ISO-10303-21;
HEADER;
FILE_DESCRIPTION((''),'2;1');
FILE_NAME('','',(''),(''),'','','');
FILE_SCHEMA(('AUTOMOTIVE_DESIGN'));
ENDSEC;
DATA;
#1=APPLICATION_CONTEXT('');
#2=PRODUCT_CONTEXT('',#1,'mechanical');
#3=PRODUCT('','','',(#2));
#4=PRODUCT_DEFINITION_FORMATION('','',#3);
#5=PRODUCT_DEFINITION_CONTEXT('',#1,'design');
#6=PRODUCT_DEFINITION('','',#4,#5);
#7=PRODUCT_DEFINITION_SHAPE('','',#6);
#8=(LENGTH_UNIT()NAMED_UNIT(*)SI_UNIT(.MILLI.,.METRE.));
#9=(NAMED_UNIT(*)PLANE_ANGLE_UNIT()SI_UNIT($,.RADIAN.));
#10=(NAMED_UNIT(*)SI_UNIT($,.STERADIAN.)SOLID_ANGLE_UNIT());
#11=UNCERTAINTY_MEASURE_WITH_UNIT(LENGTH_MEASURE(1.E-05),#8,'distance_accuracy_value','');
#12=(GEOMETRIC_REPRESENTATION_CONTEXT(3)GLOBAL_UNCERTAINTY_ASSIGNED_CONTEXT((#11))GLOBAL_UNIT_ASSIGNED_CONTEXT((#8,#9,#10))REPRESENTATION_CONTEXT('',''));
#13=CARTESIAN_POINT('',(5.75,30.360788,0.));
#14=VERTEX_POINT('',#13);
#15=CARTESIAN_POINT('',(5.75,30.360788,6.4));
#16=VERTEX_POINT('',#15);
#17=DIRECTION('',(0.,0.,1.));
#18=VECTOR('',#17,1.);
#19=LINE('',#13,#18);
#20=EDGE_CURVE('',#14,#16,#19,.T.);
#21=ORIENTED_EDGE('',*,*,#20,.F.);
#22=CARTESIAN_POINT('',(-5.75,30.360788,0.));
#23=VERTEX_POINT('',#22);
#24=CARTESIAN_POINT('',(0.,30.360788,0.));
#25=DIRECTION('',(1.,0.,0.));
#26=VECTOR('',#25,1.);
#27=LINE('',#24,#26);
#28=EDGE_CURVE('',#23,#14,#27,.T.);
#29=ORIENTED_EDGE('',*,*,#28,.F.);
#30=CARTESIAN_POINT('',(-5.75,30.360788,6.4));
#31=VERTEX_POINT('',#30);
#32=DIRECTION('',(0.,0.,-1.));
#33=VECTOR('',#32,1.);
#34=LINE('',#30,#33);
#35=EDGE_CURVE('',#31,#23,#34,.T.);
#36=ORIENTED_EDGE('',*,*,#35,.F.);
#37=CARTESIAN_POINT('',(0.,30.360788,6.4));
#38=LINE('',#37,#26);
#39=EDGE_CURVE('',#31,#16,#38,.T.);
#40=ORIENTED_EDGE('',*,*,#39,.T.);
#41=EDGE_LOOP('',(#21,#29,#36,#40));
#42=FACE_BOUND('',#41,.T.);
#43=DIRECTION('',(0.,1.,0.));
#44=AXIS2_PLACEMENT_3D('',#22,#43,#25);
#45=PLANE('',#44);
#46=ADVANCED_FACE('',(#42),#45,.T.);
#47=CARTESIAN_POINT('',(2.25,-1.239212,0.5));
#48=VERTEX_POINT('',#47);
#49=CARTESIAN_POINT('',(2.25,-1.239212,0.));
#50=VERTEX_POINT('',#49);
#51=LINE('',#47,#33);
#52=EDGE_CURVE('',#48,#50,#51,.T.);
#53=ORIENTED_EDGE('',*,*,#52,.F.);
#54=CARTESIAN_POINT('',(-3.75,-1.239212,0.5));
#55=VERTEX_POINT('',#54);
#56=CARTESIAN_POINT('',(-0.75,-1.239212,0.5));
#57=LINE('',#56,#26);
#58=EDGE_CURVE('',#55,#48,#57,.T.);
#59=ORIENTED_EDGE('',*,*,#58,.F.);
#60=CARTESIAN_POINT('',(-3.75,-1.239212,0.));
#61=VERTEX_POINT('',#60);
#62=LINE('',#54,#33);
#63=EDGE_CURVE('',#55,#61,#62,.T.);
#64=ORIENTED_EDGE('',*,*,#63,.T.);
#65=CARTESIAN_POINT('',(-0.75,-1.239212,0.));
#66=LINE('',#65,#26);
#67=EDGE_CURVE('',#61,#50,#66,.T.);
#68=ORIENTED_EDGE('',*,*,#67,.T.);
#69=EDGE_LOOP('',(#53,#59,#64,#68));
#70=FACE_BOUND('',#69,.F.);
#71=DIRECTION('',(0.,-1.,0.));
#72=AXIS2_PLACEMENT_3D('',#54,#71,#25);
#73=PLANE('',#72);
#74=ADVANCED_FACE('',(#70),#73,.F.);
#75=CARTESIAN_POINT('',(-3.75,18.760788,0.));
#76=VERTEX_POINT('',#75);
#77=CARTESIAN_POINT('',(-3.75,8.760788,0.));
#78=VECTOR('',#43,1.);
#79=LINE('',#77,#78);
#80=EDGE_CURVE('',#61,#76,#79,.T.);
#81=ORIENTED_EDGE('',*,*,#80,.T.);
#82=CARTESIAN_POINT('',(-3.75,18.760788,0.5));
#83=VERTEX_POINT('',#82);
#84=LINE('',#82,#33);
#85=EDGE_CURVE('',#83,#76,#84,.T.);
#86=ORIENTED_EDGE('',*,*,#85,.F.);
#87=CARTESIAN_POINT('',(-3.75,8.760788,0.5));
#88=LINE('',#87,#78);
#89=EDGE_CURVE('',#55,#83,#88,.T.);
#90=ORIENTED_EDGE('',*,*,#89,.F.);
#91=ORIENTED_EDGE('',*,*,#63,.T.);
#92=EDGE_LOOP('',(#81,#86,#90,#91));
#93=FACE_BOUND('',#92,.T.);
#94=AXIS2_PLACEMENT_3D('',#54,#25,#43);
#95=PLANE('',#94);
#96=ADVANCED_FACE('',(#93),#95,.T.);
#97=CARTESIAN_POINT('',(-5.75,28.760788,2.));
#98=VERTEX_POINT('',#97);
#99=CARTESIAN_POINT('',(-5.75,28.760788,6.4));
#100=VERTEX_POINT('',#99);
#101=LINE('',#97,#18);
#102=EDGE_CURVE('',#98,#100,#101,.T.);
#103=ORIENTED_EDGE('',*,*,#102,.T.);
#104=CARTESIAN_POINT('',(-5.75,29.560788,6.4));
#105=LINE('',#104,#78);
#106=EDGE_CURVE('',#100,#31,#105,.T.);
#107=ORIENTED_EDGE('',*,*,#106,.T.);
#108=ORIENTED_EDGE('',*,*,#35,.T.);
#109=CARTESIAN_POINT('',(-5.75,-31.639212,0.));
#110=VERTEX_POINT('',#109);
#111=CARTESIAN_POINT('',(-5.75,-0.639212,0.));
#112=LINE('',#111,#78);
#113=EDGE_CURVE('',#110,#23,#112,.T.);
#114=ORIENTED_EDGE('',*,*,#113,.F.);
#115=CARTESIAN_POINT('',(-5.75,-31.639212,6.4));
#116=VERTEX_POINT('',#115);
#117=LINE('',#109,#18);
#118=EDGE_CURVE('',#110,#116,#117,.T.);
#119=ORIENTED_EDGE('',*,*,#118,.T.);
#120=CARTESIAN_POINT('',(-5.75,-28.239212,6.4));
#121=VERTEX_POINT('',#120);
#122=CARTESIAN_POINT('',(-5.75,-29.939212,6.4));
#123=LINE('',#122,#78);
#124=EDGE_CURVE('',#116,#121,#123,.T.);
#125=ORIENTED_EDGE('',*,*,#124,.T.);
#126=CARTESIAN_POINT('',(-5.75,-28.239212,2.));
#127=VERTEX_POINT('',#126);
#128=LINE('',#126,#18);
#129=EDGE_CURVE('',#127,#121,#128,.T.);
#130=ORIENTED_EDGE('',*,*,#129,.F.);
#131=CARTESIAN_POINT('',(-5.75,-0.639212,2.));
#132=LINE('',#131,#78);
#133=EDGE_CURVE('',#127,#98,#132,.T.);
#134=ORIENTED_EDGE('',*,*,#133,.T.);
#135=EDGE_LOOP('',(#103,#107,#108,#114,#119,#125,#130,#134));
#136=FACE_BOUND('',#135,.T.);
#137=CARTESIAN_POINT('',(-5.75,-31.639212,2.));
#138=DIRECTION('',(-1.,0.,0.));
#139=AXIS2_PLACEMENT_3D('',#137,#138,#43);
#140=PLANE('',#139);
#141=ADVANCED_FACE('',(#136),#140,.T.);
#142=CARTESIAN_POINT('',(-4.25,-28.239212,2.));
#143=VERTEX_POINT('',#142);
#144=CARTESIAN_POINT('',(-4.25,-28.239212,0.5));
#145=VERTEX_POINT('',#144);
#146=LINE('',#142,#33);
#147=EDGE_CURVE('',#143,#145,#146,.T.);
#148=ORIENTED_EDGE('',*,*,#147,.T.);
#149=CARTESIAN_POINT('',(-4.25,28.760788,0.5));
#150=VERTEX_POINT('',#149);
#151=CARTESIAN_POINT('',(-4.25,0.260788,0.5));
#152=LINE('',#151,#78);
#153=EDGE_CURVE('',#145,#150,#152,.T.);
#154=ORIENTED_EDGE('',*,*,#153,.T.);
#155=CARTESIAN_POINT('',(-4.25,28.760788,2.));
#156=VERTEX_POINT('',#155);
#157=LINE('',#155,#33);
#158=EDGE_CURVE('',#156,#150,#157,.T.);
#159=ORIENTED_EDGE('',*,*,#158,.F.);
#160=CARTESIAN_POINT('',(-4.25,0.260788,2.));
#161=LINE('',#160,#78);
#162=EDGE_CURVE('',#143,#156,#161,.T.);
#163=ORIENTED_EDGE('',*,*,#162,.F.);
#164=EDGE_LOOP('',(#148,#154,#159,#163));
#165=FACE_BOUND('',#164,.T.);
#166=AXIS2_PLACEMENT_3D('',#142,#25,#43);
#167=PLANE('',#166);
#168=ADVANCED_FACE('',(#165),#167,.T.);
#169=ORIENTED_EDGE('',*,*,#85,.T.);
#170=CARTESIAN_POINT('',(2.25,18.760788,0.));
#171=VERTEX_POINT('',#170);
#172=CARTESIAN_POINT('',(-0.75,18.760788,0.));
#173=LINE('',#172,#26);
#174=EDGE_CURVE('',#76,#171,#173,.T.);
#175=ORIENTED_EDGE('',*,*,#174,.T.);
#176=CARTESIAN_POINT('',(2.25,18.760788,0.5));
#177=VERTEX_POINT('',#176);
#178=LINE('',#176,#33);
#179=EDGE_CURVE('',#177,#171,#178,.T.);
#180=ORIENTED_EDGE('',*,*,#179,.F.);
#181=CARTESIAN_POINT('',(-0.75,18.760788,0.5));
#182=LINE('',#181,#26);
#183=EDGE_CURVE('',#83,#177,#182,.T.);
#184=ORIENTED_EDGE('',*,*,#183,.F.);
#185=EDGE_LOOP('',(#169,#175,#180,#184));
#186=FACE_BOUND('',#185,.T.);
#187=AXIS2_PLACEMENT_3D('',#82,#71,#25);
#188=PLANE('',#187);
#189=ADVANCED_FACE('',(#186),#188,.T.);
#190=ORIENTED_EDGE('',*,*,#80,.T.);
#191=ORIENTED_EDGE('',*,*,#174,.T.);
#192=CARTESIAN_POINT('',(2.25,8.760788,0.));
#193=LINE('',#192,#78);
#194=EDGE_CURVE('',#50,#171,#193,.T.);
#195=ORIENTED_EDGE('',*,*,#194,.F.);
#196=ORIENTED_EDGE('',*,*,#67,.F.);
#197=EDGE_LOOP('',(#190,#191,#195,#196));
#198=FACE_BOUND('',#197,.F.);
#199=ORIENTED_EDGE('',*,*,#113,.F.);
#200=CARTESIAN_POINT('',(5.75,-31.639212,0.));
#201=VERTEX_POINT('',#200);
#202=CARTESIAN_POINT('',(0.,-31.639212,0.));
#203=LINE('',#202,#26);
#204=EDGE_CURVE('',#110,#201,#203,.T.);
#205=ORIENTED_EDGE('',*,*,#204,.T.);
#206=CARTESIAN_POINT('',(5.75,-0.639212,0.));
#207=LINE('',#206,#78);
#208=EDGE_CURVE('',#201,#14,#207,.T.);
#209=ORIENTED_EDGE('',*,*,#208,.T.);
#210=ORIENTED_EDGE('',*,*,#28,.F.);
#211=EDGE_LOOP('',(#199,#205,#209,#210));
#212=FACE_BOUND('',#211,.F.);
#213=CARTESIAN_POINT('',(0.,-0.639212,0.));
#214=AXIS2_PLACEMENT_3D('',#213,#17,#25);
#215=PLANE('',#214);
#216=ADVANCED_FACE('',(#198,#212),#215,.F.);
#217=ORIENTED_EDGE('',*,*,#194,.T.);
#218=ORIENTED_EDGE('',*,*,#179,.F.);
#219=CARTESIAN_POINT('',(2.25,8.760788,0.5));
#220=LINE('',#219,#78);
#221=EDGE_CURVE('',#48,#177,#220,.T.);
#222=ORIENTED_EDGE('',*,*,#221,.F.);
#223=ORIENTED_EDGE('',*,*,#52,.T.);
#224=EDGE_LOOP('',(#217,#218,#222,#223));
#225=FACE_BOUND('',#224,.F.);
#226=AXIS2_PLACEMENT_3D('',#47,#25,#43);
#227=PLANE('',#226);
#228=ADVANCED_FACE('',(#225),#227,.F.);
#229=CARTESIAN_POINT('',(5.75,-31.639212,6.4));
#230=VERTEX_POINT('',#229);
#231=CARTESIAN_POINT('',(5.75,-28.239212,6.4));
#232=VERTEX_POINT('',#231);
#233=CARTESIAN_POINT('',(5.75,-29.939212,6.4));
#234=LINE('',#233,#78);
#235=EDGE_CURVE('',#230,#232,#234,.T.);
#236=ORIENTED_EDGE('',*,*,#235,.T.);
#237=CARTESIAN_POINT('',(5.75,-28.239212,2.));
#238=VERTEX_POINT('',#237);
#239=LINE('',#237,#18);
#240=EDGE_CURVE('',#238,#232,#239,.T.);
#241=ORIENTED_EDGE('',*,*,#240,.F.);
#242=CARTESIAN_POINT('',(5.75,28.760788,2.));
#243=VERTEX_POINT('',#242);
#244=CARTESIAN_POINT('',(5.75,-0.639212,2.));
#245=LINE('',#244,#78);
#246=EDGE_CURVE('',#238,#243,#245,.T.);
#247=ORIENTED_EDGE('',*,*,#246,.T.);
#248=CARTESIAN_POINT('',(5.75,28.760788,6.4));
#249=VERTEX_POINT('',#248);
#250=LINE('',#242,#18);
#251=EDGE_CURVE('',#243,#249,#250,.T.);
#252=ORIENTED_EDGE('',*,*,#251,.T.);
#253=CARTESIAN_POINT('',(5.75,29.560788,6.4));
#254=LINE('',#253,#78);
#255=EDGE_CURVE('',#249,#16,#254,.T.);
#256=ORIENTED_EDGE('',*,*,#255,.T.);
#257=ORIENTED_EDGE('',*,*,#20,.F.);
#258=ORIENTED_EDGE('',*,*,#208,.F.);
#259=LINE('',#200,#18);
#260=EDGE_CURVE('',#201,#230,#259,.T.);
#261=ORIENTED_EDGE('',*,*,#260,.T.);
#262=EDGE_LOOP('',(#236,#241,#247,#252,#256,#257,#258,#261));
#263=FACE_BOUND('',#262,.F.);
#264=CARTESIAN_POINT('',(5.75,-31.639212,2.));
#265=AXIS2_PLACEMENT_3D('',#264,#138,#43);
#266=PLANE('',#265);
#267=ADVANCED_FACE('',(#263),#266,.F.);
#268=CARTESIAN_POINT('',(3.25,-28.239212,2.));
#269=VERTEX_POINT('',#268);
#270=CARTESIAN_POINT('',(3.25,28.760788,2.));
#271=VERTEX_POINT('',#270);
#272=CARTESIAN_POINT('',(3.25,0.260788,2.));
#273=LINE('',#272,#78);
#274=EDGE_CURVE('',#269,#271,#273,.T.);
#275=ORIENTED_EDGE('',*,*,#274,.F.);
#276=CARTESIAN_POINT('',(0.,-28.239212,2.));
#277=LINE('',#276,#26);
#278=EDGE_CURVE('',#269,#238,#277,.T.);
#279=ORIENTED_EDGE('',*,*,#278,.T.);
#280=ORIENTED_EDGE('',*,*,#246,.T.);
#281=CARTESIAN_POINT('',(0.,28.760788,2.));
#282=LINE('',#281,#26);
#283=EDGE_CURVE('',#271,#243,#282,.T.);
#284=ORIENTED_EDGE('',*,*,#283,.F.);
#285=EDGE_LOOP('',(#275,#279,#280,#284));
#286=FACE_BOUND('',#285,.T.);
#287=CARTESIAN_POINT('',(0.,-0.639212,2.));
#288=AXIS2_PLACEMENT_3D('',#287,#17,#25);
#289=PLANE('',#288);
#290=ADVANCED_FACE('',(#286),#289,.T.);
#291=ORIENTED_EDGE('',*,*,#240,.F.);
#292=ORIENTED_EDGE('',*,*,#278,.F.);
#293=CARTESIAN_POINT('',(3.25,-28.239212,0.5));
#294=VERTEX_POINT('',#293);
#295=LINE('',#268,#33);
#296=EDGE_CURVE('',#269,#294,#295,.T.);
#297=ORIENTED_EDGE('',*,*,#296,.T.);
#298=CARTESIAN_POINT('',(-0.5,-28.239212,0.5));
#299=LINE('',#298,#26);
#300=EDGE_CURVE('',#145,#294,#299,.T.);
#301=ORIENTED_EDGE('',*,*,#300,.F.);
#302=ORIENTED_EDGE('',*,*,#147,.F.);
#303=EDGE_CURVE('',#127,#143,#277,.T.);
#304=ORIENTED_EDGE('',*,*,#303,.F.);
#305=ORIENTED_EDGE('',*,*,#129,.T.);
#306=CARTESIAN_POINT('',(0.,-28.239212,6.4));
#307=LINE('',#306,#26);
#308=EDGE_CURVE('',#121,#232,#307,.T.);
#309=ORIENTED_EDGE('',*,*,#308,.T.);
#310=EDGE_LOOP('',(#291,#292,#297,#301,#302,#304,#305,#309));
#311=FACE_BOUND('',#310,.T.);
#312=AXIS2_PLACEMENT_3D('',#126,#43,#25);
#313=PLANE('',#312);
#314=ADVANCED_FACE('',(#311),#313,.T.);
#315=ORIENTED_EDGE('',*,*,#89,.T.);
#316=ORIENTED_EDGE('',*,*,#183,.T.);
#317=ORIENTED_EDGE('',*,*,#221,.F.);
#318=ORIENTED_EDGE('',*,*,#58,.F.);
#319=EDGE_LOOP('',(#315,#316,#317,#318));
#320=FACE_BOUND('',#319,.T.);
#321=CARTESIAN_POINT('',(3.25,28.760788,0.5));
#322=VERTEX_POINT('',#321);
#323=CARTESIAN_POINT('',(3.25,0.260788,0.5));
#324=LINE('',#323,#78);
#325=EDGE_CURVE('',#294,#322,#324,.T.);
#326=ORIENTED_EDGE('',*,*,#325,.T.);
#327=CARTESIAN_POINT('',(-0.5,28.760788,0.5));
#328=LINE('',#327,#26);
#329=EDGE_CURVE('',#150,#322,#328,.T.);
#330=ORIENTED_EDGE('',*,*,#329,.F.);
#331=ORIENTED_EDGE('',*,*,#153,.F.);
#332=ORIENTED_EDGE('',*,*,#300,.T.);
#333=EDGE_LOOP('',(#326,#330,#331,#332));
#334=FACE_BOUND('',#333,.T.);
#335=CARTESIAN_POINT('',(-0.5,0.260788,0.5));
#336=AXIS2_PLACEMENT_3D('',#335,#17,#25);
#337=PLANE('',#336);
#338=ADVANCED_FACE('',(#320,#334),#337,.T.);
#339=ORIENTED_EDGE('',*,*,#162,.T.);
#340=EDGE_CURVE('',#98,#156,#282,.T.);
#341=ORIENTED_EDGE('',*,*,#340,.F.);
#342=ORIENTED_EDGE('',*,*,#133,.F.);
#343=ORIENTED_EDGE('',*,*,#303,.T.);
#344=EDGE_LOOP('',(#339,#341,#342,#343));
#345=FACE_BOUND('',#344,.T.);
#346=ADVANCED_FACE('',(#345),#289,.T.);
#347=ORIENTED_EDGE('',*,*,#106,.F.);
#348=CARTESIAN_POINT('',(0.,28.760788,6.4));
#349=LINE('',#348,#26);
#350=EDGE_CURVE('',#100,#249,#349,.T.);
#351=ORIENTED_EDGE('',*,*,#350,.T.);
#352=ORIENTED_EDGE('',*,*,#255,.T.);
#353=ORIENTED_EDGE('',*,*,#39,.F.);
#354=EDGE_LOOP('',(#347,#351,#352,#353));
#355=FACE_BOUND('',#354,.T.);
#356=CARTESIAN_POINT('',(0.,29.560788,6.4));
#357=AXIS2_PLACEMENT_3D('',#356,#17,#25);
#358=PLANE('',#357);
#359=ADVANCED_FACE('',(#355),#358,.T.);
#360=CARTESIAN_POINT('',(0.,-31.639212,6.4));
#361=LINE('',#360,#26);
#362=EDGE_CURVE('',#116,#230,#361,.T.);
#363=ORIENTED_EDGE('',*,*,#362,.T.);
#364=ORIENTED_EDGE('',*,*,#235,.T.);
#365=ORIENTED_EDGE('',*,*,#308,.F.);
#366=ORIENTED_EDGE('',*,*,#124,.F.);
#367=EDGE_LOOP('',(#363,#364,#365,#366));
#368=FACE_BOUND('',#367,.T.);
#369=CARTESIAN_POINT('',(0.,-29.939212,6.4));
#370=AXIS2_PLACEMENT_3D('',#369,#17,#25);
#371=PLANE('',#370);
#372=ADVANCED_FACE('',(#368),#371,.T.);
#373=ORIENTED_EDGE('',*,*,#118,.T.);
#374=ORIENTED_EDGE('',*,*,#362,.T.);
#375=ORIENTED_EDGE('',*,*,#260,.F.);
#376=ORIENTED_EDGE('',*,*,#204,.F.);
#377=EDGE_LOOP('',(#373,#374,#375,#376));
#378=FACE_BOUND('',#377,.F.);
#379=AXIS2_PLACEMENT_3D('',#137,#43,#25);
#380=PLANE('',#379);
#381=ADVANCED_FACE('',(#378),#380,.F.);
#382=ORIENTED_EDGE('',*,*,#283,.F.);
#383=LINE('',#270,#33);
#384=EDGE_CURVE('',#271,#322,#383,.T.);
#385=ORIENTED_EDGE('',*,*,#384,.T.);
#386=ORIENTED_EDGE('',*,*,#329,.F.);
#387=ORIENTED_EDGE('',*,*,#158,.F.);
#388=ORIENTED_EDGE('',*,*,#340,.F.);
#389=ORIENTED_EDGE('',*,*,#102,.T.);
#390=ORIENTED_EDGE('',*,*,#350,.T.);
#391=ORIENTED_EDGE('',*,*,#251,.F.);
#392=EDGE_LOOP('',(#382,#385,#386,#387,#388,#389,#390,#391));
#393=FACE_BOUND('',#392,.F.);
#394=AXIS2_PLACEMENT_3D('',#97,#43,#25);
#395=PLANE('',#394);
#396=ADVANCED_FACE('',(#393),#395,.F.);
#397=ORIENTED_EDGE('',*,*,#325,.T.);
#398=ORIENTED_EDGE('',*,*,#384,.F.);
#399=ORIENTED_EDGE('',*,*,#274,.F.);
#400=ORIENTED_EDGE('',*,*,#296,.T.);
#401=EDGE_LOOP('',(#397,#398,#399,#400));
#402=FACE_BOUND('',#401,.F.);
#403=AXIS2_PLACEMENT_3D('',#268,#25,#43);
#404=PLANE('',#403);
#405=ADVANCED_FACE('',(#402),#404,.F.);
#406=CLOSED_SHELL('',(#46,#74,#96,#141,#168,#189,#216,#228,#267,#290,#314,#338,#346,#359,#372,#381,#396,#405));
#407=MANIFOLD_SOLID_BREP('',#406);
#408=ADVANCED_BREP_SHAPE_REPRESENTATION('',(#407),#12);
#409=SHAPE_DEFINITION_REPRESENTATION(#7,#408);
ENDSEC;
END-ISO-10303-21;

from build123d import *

# Parameters (mm, degrees)
F0_W     = 11.5
F0_H     = 62
F1_DEPTH = 2
F2_W     = 7.5
F2_H     = 57
F3_DEPTH = 1.5
F4_W     = 6
F4_H     = 20
F5_DEPTH = 0.5
F6_W     = 11.5
F6_H     = 3.4
F6_H_2   = 1.6
F7_DEPTH = 4.4


with BuildPart() as f1:
    # F0 (on Top) → F1 (new body)
    with BuildSketch(Plane.XY):
        with Locations((0, -0.639212)):
            Rectangle(F0_W, F0_H)
    extrude(amount=F1_DEPTH)

    # F2 (on face) → F3 (cut)
    with BuildSketch(Plane.XY.offset(2)):
        with Locations((-0.5, 0.260788)):
            Rectangle(F2_W, F2_H)
    extrude(amount=-F3_DEPTH, mode=Mode.SUBTRACT)

    # F4 (on face) → F5 (cut, through all)
    with BuildSketch(Plane.XY.offset(0.5)):
        with Locations((-0.75, 8.760788)):
            Rectangle(F4_W, F4_H)
    extrude(amount=-F5_DEPTH, mode=Mode.SUBTRACT)

    # F6 (on face) → F7 (join)
    with BuildSketch(Plane.XY.offset(2)):
        with Locations((0, -29.939212)):
            Rectangle(F6_W, F6_H)
        with Locations((0, 29.560788)):
            Rectangle(F6_W, F6_H_2)
    extrude(amount=F7_DEPTH)


solid = f1.part
